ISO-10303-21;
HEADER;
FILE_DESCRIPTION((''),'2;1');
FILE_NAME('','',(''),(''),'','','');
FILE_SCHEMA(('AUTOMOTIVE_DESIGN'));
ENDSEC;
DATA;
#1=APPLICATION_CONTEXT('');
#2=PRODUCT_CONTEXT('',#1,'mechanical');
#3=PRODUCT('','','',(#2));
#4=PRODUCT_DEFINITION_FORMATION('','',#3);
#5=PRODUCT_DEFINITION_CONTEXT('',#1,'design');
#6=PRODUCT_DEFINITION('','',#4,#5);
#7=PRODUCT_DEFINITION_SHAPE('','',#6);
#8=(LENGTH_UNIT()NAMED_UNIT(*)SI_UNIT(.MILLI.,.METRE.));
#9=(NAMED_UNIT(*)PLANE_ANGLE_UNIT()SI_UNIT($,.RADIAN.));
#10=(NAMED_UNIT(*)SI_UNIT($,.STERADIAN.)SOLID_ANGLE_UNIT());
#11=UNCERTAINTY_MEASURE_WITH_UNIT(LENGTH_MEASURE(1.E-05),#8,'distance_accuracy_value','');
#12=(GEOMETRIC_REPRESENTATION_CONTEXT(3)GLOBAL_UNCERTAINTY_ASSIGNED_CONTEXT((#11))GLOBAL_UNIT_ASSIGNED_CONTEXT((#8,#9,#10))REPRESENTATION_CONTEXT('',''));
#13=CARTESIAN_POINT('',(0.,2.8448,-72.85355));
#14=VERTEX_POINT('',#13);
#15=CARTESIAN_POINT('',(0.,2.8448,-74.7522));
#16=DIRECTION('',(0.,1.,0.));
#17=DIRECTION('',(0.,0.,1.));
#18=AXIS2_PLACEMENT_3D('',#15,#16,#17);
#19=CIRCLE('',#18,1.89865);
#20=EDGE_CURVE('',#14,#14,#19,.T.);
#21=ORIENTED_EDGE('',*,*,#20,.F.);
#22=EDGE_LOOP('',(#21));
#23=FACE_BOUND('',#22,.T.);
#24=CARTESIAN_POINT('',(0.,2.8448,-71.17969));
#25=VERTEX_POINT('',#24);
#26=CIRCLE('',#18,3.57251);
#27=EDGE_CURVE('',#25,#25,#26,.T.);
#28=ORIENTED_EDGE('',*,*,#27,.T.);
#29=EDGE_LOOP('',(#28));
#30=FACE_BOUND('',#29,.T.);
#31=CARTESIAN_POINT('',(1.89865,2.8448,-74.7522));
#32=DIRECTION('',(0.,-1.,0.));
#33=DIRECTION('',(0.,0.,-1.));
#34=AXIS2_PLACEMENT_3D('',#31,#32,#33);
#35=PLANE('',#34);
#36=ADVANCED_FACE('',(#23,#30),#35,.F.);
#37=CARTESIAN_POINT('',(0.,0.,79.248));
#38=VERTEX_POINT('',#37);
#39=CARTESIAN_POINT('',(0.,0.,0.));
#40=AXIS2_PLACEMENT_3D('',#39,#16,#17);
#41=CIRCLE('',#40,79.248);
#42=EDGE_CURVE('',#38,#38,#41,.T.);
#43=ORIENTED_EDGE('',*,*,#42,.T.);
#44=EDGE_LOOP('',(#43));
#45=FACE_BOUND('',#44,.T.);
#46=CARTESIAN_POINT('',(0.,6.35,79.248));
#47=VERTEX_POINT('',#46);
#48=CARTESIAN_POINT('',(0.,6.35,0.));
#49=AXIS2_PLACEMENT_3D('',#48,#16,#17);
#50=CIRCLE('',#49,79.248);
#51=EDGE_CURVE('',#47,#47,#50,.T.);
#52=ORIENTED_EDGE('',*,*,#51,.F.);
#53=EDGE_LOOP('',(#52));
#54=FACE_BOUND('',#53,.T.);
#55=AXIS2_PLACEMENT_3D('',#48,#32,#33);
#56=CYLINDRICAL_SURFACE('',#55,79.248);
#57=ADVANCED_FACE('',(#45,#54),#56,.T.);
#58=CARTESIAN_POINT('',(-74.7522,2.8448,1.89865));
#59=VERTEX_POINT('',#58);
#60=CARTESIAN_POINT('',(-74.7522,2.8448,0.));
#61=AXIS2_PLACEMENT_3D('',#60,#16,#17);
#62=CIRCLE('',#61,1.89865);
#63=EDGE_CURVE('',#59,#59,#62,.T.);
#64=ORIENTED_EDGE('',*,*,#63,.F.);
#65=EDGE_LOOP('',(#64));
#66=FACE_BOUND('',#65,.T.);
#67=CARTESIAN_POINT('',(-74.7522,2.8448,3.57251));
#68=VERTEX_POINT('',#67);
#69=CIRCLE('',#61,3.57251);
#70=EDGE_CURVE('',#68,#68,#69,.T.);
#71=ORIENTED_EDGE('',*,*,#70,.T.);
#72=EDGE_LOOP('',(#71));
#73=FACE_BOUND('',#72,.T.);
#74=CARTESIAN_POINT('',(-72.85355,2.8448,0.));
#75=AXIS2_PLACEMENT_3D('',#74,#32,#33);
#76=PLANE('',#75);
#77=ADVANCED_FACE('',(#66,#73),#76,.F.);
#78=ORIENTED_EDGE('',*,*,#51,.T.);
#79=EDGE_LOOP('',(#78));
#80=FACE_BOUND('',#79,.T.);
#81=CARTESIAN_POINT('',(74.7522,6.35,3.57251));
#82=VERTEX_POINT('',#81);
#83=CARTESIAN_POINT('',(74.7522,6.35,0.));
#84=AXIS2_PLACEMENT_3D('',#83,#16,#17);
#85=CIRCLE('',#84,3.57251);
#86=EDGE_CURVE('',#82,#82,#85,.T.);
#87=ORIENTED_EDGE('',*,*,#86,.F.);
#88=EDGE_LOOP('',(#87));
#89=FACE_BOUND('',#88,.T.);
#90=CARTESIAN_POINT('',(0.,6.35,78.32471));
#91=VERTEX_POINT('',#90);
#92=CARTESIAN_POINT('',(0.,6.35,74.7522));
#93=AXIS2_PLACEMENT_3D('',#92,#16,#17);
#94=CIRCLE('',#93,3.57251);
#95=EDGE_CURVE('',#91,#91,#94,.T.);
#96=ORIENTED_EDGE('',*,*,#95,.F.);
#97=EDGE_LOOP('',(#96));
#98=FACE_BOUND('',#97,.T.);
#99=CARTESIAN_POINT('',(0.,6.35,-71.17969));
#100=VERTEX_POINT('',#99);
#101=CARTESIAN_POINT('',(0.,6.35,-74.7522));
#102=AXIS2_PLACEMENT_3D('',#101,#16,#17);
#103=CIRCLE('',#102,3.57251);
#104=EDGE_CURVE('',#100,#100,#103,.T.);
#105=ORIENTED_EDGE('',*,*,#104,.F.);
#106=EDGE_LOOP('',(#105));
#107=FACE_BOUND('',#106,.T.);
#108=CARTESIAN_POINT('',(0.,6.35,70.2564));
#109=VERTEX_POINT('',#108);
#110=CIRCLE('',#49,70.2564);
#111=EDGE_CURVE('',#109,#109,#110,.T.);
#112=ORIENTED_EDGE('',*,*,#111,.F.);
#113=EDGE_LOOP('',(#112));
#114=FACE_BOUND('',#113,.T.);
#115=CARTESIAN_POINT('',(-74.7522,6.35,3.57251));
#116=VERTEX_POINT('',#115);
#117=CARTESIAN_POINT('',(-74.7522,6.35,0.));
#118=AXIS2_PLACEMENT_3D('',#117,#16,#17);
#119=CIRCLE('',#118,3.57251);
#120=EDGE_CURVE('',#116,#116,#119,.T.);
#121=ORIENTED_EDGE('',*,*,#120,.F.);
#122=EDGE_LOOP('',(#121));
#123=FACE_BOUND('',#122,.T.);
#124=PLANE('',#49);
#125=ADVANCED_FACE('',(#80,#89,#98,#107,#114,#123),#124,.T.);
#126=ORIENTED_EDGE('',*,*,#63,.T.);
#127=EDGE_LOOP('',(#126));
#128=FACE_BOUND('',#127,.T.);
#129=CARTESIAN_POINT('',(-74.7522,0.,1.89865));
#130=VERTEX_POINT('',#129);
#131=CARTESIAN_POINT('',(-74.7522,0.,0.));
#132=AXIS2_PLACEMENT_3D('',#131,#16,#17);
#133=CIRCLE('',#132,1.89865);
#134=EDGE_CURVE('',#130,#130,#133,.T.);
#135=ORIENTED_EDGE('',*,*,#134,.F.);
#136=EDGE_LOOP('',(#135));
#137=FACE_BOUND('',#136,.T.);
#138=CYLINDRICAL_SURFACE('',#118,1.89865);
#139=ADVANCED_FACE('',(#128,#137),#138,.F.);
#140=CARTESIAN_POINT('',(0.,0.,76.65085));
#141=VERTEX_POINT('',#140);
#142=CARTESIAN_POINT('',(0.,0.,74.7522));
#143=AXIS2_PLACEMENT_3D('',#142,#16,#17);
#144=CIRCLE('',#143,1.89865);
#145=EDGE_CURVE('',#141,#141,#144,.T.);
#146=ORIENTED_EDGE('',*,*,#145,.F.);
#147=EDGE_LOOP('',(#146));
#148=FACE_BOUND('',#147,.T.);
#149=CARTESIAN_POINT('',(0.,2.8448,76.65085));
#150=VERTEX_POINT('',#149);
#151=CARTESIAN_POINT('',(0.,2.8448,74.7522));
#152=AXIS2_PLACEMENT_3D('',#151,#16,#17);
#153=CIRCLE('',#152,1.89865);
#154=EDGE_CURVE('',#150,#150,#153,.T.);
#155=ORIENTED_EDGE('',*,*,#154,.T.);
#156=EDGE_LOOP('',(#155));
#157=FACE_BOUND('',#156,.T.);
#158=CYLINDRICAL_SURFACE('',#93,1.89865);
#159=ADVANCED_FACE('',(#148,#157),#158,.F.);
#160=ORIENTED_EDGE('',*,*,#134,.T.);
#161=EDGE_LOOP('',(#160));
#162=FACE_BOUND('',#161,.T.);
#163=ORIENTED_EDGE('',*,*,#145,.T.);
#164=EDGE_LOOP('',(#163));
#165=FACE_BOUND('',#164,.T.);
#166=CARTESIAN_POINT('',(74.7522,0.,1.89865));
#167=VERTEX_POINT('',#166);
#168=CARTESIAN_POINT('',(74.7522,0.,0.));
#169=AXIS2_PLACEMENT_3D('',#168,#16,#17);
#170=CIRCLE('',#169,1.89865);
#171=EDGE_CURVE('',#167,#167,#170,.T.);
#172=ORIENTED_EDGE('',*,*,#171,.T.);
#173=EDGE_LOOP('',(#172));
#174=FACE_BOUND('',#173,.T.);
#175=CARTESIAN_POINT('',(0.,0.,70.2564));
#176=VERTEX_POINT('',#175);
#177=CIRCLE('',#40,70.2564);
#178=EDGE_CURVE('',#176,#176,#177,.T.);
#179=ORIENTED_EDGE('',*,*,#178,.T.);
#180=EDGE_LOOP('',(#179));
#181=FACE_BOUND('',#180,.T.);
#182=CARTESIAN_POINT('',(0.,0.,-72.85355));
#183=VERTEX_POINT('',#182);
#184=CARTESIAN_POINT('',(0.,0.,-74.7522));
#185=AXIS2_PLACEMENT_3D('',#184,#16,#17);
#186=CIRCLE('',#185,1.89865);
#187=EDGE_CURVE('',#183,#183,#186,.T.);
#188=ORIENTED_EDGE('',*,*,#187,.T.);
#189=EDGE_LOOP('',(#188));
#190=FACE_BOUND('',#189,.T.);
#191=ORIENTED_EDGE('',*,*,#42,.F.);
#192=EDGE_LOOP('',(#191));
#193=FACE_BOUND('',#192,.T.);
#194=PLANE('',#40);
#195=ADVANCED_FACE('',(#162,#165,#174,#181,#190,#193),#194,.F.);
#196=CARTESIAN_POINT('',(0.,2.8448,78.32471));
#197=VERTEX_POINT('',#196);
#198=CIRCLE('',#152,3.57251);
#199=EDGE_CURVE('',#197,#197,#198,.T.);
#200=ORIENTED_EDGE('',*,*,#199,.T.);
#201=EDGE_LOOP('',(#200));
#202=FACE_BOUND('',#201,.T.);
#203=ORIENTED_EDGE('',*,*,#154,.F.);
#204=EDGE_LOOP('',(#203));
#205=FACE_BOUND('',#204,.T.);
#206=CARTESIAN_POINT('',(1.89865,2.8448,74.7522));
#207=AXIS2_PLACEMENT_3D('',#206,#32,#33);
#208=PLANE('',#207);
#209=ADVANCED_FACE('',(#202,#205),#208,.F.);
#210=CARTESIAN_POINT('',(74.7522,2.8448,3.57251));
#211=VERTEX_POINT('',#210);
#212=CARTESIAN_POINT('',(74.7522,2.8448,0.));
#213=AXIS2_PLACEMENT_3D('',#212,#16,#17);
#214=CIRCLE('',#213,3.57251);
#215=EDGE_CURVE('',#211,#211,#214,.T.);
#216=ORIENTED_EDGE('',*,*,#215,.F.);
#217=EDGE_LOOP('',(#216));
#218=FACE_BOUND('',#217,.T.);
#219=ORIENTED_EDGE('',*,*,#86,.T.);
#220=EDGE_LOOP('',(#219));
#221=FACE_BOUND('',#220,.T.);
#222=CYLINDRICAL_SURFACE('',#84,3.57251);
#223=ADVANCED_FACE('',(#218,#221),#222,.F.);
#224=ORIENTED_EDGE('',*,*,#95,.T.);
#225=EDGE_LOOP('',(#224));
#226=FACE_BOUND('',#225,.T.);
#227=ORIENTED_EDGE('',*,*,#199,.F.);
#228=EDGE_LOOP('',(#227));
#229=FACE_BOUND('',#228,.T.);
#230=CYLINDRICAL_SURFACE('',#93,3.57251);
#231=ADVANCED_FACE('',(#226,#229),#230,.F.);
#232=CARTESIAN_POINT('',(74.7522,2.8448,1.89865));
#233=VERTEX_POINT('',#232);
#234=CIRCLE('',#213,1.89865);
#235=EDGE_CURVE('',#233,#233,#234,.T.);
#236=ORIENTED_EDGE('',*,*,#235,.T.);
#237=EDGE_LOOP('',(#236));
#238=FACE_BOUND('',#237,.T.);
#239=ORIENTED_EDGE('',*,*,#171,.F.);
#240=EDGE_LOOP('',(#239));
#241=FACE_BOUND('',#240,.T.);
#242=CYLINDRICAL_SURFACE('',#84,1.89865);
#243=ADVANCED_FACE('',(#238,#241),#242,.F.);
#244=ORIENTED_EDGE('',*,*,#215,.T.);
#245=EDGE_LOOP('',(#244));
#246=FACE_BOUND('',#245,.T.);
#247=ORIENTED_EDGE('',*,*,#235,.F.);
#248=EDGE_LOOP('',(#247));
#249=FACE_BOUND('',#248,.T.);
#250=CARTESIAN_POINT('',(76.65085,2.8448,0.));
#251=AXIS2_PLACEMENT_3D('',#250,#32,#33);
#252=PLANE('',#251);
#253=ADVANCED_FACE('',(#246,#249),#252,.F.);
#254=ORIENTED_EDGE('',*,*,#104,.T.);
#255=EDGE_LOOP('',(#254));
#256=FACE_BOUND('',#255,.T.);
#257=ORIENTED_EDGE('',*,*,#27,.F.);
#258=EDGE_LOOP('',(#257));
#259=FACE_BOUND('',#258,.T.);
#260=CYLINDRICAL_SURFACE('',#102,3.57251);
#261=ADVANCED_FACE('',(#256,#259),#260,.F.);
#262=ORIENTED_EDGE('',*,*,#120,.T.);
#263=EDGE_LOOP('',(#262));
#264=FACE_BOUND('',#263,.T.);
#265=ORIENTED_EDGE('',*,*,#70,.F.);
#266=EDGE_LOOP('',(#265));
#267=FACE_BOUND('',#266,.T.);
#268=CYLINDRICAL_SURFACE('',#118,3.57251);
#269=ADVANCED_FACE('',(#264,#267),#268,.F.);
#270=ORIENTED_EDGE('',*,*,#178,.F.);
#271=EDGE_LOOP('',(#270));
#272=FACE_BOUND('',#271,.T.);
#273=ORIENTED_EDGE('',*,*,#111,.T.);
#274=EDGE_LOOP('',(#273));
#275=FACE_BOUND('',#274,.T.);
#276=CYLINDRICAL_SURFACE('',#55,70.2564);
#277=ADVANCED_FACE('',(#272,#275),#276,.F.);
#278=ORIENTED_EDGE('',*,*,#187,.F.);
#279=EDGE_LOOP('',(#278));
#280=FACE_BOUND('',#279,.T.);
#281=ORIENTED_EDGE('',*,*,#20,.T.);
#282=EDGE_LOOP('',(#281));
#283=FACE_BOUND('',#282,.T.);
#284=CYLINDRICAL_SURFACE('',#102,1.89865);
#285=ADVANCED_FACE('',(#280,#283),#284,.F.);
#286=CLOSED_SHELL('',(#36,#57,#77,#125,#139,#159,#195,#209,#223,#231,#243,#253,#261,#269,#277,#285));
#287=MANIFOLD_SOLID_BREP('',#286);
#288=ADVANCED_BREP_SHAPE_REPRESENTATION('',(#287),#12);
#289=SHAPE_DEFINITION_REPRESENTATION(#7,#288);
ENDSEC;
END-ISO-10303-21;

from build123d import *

# Parameters (mm, degrees)
SKETCH1_R                                      = 79.248
SKETCH1_R_2                                    = 70.2564
EXTRUDE2_DEPTH                                 = 6.35
CBORE_FOR_6_SOCKET_HEAD_CAP_SCREW1_D           = 3.7973
CBORE_FOR_6_SOCKET_HEAD_CAP_SCREW1_CBORE_D     = 7.14502
CBORE_FOR_6_SOCKET_HEAD_CAP_SCREW1_CBORE_DEPTH = 3.5052


with BuildPart() as part:
    # Sketch1 → Extrude2 (new body)
    with BuildSketch(Plane(origin=(0, 0, 0), x_dir=(1, 0, 0), z_dir=(0, 1, 0))):
        Circle(SKETCH1_R)
        Circle(SKETCH1_R_2, mode=Mode.SUBTRACT)
    extrude(amount=EXTRUDE2_DEPTH)

    # CBORE for #6 Socket Head Cap Screw1 (through all)
    with Locations(Plane(origin=(0, 6.35, -74.7522), x_dir=(0, 0, 1), z_dir=(0, 1, 0))):
        with Locations((0, 0), (149.5044, 0), (74.7522, 74.7522), (74.7522, -74.7522)):
            CounterBoreHole(CBORE_FOR_6_SOCKET_HEAD_CAP_SCREW1_D / 2, CBORE_FOR_6_SOCKET_HEAD_CAP_SCREW1_CBORE_D / 2, CBORE_FOR_6_SOCKET_HEAD_CAP_SCREW1_CBORE_DEPTH)


solid = part.part
